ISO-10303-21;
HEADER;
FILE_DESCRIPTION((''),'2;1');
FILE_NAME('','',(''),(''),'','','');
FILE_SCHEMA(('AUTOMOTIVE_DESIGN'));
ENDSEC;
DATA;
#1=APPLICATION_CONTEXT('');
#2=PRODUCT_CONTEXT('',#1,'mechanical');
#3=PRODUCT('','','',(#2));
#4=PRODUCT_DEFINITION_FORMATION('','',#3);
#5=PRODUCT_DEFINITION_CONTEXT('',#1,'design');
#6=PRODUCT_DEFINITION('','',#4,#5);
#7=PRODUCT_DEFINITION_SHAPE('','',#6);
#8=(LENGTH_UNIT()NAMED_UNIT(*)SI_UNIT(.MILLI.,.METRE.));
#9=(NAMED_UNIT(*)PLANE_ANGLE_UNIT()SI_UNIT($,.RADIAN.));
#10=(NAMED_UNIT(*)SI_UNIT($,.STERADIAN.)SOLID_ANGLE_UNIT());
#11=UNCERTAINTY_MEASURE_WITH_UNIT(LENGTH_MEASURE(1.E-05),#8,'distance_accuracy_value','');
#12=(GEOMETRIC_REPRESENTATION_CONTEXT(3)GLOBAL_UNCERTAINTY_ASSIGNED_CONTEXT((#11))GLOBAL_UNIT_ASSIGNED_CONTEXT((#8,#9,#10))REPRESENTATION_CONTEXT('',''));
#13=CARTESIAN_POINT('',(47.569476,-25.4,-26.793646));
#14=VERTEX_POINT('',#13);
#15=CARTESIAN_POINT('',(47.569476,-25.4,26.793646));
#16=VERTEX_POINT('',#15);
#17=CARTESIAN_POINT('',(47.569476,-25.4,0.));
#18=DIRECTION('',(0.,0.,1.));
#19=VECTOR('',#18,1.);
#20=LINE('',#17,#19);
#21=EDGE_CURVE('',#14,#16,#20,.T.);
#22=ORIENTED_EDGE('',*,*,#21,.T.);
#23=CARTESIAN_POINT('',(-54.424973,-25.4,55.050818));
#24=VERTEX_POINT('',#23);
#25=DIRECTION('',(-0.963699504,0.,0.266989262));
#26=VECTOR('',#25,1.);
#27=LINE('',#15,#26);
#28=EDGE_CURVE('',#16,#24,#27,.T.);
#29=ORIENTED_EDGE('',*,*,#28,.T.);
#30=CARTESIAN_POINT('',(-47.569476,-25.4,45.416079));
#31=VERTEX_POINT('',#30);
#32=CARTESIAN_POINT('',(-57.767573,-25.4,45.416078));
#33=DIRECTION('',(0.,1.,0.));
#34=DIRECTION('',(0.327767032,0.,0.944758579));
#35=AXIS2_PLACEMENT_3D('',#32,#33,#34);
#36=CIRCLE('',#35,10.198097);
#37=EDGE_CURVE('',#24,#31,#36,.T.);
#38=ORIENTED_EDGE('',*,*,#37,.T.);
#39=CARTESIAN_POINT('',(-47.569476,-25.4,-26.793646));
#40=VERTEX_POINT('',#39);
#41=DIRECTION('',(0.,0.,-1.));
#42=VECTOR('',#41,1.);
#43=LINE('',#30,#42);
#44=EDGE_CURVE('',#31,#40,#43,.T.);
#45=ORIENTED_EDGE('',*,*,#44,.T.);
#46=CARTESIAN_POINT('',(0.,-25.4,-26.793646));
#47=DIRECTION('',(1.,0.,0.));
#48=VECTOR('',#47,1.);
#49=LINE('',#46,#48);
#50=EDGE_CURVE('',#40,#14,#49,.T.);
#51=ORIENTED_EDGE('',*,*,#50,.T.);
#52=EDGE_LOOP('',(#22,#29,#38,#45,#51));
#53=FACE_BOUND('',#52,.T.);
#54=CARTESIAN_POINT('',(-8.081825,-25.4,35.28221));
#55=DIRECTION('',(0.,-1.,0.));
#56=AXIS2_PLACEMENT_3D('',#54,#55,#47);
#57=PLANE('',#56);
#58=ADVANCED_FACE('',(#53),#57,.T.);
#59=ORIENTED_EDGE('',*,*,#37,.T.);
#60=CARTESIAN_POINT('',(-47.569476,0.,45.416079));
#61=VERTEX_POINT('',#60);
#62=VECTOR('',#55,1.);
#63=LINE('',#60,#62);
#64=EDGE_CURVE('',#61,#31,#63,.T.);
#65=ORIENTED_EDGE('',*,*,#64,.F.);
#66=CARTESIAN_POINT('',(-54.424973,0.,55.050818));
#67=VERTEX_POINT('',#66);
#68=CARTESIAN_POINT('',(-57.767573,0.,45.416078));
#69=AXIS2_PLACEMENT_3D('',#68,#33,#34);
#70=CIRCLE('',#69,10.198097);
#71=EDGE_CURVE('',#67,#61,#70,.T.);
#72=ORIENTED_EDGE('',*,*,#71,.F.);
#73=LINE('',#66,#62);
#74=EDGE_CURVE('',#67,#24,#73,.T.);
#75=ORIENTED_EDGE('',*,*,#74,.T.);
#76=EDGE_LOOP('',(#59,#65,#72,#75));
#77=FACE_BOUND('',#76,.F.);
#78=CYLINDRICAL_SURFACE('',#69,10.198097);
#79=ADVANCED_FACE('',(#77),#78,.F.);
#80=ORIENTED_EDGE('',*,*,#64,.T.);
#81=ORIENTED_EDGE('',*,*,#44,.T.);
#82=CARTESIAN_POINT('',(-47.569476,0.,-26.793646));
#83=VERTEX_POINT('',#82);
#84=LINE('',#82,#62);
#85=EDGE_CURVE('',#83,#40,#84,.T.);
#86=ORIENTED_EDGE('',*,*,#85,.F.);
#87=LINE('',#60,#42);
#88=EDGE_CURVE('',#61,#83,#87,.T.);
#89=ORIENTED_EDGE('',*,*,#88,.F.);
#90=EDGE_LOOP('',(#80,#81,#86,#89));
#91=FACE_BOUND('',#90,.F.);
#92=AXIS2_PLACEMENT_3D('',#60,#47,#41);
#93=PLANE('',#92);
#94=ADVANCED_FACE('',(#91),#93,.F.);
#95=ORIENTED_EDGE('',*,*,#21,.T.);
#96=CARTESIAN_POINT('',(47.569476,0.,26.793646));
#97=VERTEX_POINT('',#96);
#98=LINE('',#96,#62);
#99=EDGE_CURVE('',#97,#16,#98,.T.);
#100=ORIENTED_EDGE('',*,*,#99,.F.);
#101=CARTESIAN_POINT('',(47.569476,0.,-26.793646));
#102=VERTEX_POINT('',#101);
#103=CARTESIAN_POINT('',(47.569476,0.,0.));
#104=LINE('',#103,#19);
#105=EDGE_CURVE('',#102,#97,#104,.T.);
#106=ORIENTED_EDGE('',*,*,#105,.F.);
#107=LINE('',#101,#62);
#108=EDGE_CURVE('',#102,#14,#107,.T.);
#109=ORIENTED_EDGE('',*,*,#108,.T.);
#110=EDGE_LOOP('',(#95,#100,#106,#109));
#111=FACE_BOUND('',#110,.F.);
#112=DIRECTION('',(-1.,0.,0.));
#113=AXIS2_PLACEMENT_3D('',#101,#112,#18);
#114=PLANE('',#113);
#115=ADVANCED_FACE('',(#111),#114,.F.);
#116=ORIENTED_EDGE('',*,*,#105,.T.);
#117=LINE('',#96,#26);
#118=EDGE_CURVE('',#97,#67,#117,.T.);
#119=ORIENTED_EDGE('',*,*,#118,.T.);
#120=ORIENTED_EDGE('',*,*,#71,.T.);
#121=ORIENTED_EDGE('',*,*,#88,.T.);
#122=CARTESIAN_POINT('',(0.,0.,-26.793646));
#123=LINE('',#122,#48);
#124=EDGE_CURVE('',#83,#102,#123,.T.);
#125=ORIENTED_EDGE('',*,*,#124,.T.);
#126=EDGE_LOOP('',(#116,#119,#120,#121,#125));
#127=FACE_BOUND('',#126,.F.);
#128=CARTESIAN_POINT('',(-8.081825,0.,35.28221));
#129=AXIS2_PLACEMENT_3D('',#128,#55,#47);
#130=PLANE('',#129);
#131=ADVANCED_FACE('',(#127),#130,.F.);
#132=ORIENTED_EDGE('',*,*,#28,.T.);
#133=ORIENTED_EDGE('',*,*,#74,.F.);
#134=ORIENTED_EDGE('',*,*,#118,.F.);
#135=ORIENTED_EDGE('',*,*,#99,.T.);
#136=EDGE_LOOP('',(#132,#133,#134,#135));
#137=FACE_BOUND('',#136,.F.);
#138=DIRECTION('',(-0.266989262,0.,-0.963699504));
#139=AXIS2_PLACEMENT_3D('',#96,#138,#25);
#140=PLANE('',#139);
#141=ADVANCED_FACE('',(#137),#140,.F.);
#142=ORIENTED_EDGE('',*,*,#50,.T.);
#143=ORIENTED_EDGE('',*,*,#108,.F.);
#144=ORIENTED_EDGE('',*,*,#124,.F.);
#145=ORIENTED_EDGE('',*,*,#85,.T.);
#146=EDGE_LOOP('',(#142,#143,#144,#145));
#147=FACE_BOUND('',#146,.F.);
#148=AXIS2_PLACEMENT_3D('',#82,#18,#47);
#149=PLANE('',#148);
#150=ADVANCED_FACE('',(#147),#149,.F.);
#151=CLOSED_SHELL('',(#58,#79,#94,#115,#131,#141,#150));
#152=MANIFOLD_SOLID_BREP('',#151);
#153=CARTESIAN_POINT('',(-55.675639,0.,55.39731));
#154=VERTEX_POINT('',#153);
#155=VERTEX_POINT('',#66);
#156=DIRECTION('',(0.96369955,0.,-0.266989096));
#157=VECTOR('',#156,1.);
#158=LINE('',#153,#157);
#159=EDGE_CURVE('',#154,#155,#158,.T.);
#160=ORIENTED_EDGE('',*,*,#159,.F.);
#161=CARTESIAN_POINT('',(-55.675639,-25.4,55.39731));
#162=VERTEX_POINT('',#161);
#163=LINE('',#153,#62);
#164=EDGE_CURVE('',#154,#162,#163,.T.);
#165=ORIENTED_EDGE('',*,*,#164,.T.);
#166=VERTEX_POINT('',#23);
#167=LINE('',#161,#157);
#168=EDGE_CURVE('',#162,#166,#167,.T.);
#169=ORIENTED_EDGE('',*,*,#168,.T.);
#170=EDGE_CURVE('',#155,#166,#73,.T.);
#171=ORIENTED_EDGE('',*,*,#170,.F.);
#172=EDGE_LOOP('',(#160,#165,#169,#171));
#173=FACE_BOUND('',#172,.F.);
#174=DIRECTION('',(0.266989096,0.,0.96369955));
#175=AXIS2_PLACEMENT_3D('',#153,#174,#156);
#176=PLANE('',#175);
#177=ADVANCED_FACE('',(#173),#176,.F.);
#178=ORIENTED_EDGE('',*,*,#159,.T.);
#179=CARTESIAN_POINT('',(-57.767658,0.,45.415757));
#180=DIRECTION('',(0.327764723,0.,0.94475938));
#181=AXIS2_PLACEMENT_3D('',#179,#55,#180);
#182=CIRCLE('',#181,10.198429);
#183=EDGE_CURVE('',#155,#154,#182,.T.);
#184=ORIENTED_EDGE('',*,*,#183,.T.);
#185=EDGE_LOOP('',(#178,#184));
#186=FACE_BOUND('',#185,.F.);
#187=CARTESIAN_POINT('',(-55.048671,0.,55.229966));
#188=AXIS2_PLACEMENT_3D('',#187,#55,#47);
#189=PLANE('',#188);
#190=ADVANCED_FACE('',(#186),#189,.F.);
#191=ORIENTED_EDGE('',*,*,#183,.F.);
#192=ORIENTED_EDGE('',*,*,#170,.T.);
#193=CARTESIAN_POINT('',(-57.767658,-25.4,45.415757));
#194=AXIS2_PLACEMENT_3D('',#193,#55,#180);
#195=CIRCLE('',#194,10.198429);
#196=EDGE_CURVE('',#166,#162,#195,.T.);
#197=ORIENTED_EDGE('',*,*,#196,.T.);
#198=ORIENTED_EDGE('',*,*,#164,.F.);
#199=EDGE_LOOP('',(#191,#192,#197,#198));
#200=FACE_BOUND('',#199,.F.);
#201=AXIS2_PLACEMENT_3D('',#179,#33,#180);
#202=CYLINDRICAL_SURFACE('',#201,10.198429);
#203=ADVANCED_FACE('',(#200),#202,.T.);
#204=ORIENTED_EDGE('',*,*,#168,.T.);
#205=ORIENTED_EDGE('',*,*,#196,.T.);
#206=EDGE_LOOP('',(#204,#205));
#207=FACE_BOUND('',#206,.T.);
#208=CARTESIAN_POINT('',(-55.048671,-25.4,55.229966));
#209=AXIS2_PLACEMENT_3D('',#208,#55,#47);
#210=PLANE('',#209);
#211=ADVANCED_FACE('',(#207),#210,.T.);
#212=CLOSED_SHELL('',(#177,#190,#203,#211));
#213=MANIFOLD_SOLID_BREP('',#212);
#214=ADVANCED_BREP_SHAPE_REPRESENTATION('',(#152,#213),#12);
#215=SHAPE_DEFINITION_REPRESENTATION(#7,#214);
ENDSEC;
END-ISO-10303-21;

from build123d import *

# Parameters (mm, degrees)
F0_W     = 95.138952
F0_H     = 53.587292
F1_DEPTH = 25.4


with BuildPart() as f1:
    # F0 (on Front) → F1 (new body)
    with BuildSketch(Plane.XZ):
        with BuildLine():
            Line((-47.569476, 45.416079), (-47.569476, 26.793646))
            Line((-47.569476, 26.793646), (47.569476, 26.793646))
            Line((47.569476, 26.793646), (-54.424973, 55.050818))
            ThreePointArc((-54.424973, 55.050818), (-49.458261, 51.328482), (-47.569476, 45.416079))
        make_face()
        Rectangle(F0_W, F0_H)
        with BuildLine():
            Line((-55.675639, 55.39731), (-54.424973, 55.050818))
            ThreePointArc((-54.424973, 55.050818), (-55.044789, 55.243978), (-55.675639, 55.39731))
        make_face()
    extrude(amount=F1_DEPTH)


solid = f1.part
